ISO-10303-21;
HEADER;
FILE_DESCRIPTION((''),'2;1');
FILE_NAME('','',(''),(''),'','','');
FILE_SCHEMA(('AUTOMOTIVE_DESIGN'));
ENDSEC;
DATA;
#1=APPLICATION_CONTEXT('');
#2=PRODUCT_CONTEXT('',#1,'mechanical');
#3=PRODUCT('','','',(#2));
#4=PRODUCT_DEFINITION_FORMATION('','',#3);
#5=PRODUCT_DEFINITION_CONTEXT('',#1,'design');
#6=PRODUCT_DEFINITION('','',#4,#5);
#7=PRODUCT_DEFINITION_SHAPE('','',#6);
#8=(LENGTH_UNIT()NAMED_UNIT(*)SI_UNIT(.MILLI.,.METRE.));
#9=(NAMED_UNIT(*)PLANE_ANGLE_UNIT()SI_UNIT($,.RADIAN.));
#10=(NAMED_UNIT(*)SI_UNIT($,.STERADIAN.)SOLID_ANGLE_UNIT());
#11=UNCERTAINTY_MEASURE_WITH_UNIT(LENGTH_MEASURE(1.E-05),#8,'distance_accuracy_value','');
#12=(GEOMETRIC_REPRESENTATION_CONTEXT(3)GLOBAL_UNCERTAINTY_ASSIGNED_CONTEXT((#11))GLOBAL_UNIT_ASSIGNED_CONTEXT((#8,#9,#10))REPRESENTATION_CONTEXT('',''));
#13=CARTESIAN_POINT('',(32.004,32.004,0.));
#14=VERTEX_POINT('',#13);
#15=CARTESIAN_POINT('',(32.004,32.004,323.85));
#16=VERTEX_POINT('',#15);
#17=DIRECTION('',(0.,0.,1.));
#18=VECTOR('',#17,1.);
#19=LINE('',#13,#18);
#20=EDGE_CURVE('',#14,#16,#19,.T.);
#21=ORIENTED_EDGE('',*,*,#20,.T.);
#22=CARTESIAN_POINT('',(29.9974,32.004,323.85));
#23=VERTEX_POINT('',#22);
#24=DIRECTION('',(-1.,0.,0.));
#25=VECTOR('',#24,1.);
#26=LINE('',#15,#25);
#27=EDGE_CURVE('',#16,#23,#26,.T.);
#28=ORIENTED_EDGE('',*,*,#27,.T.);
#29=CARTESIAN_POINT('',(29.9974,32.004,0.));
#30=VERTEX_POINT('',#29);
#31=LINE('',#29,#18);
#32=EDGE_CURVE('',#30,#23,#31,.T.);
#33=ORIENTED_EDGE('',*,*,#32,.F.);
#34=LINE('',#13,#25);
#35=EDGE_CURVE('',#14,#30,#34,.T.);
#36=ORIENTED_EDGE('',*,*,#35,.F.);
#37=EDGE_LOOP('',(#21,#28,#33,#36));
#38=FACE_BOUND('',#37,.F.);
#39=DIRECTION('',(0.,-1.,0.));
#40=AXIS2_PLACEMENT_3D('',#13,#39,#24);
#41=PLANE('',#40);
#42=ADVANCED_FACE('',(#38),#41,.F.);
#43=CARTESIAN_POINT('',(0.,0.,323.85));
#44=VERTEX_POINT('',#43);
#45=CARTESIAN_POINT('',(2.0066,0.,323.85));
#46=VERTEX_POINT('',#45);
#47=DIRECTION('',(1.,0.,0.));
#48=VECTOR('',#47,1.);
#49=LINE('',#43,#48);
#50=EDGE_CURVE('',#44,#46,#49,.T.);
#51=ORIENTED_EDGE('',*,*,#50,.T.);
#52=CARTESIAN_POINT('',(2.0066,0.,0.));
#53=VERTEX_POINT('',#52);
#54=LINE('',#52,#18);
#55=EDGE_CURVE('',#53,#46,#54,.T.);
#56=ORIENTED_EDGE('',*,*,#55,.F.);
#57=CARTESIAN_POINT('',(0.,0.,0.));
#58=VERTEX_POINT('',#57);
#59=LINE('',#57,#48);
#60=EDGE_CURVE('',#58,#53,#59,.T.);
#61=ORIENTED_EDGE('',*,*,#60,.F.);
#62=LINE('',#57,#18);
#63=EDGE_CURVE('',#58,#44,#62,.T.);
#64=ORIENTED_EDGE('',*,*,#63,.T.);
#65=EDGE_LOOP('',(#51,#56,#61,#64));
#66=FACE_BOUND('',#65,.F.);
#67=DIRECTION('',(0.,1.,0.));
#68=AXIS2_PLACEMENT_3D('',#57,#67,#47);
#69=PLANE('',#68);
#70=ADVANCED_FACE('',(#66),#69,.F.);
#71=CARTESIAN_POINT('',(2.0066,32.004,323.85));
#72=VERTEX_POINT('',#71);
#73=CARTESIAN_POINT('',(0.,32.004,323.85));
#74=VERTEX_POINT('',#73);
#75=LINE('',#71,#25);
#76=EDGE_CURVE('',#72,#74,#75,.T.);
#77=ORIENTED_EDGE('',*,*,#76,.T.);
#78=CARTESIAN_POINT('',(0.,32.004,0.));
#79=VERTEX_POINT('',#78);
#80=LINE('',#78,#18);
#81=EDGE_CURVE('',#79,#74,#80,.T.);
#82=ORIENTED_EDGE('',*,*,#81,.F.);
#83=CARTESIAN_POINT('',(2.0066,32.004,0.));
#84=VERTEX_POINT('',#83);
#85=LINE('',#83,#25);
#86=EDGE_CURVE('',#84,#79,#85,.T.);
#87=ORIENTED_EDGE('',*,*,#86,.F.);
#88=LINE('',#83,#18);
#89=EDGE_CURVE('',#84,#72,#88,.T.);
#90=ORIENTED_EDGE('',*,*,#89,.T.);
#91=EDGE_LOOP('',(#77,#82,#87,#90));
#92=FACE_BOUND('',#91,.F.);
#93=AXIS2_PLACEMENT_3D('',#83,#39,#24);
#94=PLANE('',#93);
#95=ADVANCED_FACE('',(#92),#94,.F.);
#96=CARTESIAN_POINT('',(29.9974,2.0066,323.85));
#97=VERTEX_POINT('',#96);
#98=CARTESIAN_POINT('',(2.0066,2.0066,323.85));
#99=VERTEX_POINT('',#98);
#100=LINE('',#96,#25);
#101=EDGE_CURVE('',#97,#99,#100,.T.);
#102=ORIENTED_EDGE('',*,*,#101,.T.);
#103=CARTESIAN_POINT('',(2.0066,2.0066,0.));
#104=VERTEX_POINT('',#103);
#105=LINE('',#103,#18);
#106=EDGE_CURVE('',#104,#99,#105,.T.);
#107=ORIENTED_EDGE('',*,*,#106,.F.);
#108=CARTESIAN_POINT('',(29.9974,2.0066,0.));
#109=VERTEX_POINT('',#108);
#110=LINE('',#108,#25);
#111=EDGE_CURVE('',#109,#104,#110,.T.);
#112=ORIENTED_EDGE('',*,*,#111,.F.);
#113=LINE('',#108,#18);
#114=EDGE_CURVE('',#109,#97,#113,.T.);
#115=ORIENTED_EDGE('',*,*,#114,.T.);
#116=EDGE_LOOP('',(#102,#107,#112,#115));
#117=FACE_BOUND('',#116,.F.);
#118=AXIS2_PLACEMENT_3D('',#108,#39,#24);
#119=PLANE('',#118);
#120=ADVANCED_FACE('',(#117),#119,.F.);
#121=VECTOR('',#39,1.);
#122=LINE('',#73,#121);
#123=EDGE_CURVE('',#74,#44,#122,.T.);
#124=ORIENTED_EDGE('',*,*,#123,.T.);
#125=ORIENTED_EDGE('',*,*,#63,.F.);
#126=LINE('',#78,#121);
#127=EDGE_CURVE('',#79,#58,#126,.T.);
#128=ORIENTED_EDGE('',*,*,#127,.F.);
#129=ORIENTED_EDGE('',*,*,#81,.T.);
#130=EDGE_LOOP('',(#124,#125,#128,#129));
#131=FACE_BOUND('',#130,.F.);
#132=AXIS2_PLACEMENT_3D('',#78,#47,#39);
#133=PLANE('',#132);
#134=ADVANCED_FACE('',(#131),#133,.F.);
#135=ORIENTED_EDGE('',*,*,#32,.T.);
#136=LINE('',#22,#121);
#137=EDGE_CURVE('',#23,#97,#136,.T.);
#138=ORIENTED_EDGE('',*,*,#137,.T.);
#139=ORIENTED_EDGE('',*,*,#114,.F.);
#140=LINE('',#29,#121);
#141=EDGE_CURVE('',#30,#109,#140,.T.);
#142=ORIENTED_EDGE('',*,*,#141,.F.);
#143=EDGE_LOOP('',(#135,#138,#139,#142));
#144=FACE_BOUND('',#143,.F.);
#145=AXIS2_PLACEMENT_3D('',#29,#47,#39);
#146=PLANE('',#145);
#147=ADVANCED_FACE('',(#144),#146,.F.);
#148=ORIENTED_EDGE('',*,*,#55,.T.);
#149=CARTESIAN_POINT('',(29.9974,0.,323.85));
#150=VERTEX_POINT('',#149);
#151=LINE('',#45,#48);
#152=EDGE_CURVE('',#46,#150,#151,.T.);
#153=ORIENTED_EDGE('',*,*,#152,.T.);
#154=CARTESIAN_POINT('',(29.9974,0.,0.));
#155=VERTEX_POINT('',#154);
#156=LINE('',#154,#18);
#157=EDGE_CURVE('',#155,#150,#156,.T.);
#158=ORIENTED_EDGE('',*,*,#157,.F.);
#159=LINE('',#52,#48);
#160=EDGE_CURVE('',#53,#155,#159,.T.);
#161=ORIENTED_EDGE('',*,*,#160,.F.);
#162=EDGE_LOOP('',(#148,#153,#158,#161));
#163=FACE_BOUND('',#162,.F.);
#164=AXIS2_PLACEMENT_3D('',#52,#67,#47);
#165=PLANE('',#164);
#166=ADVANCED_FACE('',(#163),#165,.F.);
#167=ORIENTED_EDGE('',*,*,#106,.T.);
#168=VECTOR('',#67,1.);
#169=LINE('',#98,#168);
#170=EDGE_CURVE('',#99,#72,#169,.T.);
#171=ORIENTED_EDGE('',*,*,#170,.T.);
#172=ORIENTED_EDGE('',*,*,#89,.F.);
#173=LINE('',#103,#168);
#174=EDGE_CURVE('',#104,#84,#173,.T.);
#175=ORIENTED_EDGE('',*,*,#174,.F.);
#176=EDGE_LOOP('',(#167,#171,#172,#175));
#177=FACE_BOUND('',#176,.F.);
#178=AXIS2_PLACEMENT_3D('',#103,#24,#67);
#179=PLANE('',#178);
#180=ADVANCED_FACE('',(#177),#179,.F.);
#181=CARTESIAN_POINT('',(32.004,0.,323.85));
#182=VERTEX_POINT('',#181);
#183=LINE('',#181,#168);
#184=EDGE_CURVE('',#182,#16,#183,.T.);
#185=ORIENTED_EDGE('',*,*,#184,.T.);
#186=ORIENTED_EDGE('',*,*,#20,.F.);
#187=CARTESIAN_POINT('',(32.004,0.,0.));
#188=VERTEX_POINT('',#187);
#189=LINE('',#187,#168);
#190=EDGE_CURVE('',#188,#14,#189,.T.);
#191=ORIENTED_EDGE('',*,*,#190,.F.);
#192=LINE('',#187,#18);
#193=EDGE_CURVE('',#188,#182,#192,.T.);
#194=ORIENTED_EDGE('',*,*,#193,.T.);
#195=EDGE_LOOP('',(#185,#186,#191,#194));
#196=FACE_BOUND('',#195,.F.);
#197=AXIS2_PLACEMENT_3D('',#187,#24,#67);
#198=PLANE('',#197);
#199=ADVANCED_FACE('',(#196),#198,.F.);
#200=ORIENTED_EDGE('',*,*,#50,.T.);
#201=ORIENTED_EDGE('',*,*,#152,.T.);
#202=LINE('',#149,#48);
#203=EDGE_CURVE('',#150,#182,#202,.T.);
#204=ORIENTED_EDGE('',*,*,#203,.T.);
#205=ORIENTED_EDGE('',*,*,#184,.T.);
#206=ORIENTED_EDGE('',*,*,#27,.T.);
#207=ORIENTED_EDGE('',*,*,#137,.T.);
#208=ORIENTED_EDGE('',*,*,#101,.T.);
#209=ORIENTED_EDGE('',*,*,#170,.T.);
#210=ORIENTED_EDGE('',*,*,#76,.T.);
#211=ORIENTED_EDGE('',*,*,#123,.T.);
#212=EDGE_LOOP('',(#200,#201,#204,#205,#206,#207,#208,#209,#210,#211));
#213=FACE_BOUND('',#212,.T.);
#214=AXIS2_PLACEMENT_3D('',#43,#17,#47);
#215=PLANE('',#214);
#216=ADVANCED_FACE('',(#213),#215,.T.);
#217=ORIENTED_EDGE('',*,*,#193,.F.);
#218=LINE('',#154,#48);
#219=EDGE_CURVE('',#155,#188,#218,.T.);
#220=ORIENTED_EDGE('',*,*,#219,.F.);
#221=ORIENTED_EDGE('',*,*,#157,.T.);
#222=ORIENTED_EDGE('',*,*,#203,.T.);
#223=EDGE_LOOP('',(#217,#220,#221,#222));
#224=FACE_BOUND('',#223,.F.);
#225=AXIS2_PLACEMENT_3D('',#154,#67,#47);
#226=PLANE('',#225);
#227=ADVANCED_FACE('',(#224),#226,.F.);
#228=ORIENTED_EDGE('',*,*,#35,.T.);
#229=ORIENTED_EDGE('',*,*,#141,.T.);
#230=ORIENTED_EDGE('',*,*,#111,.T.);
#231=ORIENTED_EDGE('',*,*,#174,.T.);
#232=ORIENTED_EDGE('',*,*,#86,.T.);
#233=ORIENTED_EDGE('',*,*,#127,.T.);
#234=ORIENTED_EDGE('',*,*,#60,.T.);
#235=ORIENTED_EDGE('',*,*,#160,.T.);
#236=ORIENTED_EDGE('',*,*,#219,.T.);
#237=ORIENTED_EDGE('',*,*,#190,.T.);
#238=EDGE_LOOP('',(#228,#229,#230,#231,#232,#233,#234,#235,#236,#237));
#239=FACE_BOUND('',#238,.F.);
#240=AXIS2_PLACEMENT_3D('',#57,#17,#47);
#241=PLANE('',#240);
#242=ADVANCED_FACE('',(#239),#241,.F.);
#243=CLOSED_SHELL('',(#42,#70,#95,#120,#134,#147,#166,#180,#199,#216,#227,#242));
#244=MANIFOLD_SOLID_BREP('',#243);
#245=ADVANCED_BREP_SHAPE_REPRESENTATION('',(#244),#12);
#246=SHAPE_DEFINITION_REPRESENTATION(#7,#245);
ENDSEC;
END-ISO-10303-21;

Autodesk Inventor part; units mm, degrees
ref_plane "YZ Plane" through (0, 0, 0) normal (1, 0, 0) x (0, 1, 0)
ref_plane "XZ Plane" through (0, 0, 0) normal (0, 1, 0) x (-1, 0, 0)
ref_plane "XY Plane" through (0, 0, 0) normal (0, 0, 1) x (1, 0, 0)
sketch "Sketch1" plane through (0, 0, 0) normal (0, 0, 1) x (1, 0, 0)
  line L0 (2.0066, 32.004) -> (0, 32.004)
  line L1 (0, 32.004) -> (0, 0)
  line L2 (0, 0) -> (2.0066, 0)
  line L3 (2.0066, 2.0066) -> (2.0066, 32.004)
  line L4 (2.0066, 0) -> (29.9974, 0)
  line L5 (29.9974, 2.0066) -> (2.0066, 2.0066)
  line L6 (29.9974, 0) -> (32.004, 0)
  line L7 (32.004, 0) -> (32.004, 32.004)
  line L8 (32.004, 32.004) -> (29.9974, 32.004)
  line L9 (29.9974, 32.004) -> (29.9974, 2.0066)
  dimension "d2" = 2.0066
  dimension "d3" = 32.004
sketch "Sketch2" plane through (0, 0, 0) normal (0, 0, 1) x (1, 0, 0)
  point P0 (0, 0)
extrude "Extrusion1" add sketch "Sketch1" along normal blind 323.85
properties part number "BeamSolid14"
